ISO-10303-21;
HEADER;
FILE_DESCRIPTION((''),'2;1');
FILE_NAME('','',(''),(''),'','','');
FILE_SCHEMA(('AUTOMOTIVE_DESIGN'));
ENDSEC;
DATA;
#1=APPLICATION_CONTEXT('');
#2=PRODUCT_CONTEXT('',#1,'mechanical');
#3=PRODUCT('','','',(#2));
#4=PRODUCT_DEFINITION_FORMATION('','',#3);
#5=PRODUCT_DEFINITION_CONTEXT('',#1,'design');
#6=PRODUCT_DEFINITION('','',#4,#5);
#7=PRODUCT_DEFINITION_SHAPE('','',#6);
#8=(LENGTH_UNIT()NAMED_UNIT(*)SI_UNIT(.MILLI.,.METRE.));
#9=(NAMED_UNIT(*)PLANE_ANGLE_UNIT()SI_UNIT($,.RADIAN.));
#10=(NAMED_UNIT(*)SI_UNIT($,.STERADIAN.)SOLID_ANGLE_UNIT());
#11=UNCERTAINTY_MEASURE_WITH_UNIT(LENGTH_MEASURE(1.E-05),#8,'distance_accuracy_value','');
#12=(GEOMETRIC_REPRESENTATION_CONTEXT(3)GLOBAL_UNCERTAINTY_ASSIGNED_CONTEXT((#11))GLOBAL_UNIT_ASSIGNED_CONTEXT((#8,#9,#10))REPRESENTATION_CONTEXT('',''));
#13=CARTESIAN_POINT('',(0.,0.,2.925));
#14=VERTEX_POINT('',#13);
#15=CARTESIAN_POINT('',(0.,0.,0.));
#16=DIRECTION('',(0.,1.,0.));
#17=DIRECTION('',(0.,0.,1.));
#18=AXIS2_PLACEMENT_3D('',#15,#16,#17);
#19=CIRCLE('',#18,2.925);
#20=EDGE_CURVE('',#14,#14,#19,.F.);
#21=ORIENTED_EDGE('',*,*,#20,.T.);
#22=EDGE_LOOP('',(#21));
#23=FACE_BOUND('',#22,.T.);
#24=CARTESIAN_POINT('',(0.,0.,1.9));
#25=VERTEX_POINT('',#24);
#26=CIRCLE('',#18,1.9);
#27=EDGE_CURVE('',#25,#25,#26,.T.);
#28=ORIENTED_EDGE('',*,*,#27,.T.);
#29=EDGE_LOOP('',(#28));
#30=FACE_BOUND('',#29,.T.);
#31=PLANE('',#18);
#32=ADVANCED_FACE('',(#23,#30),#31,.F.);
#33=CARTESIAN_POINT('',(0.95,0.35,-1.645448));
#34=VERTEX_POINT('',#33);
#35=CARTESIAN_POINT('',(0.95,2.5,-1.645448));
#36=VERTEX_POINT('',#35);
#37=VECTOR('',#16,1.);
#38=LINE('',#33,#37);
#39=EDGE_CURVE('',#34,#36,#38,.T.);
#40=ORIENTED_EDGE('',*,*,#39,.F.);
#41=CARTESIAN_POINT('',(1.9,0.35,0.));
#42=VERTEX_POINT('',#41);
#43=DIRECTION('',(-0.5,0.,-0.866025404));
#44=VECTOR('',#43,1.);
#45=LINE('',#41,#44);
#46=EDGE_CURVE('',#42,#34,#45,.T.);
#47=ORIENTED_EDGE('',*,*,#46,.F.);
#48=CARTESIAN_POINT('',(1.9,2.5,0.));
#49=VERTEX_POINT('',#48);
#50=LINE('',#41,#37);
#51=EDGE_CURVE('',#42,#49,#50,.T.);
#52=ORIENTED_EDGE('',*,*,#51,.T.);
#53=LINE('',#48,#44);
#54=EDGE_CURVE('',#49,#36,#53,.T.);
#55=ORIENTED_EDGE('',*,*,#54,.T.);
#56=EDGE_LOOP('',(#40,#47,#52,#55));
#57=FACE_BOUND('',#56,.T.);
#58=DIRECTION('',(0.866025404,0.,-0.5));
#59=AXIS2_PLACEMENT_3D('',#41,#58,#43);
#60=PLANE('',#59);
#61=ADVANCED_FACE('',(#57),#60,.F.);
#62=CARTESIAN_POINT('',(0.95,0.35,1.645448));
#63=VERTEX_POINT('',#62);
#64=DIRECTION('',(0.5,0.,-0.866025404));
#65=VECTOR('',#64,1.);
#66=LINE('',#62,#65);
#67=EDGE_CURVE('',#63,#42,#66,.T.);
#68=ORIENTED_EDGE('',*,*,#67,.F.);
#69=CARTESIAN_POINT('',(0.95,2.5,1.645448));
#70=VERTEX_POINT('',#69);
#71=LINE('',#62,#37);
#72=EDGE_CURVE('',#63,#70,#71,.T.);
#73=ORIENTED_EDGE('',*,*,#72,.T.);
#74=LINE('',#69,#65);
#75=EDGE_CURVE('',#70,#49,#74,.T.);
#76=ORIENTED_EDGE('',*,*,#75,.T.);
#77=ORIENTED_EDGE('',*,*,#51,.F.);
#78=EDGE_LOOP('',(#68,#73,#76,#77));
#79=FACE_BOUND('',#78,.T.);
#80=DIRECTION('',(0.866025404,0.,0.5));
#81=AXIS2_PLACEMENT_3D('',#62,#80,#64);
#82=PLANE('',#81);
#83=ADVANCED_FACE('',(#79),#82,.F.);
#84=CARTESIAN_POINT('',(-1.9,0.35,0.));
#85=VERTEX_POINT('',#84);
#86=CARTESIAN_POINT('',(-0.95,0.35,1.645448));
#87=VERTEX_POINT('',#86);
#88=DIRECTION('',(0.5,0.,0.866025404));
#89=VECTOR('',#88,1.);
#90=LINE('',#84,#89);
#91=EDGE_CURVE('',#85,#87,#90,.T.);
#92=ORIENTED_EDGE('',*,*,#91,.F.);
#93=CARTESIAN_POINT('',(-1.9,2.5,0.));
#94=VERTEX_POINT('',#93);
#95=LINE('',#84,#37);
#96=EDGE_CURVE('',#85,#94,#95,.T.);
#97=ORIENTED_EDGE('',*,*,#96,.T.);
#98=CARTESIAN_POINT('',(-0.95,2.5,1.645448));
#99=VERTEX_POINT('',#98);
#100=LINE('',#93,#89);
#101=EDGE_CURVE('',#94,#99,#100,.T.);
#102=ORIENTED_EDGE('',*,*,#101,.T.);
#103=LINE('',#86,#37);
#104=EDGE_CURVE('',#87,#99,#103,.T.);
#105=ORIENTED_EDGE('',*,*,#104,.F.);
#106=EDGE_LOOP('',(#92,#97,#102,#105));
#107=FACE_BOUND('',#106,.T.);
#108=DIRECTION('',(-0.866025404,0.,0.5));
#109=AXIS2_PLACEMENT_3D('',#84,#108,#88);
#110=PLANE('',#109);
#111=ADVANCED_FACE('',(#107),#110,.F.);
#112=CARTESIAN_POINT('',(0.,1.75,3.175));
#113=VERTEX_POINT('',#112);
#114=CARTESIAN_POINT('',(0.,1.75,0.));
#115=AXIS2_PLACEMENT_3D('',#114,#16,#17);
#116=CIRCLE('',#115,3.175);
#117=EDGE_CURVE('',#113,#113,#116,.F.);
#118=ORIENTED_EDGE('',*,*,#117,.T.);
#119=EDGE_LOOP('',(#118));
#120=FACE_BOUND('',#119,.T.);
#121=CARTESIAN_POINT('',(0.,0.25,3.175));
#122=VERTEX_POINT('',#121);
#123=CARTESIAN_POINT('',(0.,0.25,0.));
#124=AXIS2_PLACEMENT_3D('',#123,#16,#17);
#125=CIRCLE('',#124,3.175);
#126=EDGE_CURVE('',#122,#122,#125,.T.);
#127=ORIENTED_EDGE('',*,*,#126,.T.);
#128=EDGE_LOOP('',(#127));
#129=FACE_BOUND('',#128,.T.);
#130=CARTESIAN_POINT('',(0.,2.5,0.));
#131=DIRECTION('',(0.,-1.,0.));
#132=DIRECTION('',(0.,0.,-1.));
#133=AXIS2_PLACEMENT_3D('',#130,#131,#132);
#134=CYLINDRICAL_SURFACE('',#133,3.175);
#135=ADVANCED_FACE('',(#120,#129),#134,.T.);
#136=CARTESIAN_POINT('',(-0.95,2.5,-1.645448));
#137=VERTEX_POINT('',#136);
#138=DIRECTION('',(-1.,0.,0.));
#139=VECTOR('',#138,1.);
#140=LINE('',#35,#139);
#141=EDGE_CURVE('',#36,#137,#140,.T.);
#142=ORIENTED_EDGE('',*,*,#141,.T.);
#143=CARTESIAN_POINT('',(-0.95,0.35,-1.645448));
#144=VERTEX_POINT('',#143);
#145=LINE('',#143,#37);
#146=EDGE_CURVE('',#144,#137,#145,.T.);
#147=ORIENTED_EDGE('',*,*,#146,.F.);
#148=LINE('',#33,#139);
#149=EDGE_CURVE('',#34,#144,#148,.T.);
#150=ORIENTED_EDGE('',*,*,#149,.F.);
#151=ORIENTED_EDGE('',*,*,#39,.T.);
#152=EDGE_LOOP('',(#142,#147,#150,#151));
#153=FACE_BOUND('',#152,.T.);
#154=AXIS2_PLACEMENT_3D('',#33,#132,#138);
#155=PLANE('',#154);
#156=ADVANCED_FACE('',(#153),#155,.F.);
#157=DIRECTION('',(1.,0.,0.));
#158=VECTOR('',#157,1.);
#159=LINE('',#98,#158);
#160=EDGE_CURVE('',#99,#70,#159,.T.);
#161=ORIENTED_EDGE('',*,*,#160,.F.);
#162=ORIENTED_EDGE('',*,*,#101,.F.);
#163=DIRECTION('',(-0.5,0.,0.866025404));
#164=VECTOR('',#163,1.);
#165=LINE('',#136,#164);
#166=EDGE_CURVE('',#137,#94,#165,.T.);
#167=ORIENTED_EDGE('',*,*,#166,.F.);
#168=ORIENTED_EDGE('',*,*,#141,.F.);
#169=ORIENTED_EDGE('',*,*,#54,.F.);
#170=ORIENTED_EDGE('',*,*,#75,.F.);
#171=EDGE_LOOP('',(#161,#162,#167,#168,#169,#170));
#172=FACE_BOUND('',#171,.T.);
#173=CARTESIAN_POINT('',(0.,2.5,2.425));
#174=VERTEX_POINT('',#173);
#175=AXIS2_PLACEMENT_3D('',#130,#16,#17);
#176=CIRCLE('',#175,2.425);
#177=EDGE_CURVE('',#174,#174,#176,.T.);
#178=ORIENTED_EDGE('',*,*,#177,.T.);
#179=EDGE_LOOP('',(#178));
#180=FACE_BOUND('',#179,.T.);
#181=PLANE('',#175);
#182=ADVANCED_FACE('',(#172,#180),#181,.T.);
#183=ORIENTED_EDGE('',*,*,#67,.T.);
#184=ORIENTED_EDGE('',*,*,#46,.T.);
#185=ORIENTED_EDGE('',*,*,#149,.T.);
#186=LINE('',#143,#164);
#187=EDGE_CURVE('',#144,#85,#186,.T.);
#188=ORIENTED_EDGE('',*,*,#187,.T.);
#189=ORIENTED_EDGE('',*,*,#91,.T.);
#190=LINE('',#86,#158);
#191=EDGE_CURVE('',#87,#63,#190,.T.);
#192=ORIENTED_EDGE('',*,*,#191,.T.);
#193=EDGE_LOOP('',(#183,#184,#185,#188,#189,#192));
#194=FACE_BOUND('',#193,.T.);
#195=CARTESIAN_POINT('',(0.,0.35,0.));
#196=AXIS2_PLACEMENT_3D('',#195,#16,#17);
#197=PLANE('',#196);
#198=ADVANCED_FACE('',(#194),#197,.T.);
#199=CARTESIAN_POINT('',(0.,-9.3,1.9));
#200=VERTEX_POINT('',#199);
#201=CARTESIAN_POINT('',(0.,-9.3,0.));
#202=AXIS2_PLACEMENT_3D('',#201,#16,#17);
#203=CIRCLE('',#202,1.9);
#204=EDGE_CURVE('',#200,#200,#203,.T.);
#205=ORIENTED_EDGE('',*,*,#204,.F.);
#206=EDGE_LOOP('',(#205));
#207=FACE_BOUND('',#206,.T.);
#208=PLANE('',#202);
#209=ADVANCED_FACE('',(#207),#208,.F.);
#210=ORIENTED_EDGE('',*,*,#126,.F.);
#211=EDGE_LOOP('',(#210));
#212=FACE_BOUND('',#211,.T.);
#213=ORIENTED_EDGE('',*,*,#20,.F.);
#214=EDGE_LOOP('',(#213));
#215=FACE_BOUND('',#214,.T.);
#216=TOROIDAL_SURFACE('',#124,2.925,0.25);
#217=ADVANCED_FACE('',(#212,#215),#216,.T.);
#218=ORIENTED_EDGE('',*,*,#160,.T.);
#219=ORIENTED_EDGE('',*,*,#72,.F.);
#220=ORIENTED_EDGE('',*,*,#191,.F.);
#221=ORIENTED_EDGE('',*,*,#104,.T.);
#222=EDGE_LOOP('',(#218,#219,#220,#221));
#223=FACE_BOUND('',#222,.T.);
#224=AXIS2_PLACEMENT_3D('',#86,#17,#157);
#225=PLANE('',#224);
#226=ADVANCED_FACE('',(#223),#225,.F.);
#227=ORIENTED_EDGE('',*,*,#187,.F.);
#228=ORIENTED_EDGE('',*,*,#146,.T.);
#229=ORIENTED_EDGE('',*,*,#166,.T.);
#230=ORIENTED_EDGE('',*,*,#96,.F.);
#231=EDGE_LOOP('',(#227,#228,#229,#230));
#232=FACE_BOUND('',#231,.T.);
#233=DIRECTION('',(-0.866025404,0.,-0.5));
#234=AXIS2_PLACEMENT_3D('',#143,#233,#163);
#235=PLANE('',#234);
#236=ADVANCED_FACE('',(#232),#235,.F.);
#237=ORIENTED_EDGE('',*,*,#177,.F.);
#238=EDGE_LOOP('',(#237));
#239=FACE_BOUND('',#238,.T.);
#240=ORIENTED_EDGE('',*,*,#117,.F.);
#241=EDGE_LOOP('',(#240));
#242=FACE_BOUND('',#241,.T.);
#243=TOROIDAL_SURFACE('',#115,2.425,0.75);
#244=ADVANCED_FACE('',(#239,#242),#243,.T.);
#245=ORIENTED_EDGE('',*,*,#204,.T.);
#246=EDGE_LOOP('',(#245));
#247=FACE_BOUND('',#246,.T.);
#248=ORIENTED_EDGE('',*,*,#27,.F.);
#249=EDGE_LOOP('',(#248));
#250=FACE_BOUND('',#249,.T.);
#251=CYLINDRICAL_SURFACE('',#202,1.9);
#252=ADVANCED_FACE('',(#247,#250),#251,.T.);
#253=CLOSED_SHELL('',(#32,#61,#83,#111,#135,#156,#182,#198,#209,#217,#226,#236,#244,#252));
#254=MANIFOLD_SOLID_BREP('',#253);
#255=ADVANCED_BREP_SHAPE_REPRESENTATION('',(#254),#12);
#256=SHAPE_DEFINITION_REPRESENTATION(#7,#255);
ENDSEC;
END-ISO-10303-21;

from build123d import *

# Parameters (mm, degrees)
SKETCH1_R           = 3.175
BOSS_EXTRUDE3_DEPTH = 2.5
CUT_EXTRUDE3_DEPTH  = 2.15
SKETCH8_R           = 1.9
BOSS_EXTRUDE4_DEPTH = 9.3
FILLET2_R           = 0.75
FILLET3_R           = 0.25


with BuildPart() as part:
    # Sketch1 → Boss-Extrude3 (new body)
    with BuildSketch(Plane(origin=(0, 0, 0), x_dir=(1, 0, 0), z_dir=(0, 1, 0))):
        with Locations(Location((0, 0, 0), (0, 0, 270))):
            Circle(SKETCH1_R)
    extrude(amount=BOSS_EXTRUDE3_DEPTH)

    # Sketch7 → Cut-Extrude3 (cut)
    with BuildSketch(Plane(origin=(0, 2.5, 0), x_dir=(1, 0, 0), z_dir=(0, 1, 0))):
        Polygon((0.95, 1.645448267), (-0.95, 1.645448267), (-1.9, 0), (-0.95, -1.645448267), (0.95, -1.645448267), (1.9, 0), align=None)
    extrude(amount=-CUT_EXTRUDE3_DEPTH, mode=Mode.SUBTRACT)

    # Sketch8 → Boss-Extrude4 (add)
    with BuildSketch(Plane(origin=(0, 0, 0), x_dir=(1, 0, 0), z_dir=(0, 1, 0))):
        with Locations(Location((0, 0, 0), (0, 0, 270))):
            Circle(SKETCH8_R)
    extrude(amount=-BOSS_EXTRUDE4_DEPTH)

    # Fillet2
    fillet2_edges = [part.edges().sort_by_distance(p)[0] for p in [
        (0, 2.5, -3.175),
    ]]
    fillet(fillet2_edges, radius=FILLET2_R)

    # Fillet3
    fillet3_edges = [part.edges().sort_by_distance(p)[0] for p in [
        (0, 0, -3.175),
    ]]
    fillet(fillet3_edges, radius=FILLET3_R)


solid = part.part
